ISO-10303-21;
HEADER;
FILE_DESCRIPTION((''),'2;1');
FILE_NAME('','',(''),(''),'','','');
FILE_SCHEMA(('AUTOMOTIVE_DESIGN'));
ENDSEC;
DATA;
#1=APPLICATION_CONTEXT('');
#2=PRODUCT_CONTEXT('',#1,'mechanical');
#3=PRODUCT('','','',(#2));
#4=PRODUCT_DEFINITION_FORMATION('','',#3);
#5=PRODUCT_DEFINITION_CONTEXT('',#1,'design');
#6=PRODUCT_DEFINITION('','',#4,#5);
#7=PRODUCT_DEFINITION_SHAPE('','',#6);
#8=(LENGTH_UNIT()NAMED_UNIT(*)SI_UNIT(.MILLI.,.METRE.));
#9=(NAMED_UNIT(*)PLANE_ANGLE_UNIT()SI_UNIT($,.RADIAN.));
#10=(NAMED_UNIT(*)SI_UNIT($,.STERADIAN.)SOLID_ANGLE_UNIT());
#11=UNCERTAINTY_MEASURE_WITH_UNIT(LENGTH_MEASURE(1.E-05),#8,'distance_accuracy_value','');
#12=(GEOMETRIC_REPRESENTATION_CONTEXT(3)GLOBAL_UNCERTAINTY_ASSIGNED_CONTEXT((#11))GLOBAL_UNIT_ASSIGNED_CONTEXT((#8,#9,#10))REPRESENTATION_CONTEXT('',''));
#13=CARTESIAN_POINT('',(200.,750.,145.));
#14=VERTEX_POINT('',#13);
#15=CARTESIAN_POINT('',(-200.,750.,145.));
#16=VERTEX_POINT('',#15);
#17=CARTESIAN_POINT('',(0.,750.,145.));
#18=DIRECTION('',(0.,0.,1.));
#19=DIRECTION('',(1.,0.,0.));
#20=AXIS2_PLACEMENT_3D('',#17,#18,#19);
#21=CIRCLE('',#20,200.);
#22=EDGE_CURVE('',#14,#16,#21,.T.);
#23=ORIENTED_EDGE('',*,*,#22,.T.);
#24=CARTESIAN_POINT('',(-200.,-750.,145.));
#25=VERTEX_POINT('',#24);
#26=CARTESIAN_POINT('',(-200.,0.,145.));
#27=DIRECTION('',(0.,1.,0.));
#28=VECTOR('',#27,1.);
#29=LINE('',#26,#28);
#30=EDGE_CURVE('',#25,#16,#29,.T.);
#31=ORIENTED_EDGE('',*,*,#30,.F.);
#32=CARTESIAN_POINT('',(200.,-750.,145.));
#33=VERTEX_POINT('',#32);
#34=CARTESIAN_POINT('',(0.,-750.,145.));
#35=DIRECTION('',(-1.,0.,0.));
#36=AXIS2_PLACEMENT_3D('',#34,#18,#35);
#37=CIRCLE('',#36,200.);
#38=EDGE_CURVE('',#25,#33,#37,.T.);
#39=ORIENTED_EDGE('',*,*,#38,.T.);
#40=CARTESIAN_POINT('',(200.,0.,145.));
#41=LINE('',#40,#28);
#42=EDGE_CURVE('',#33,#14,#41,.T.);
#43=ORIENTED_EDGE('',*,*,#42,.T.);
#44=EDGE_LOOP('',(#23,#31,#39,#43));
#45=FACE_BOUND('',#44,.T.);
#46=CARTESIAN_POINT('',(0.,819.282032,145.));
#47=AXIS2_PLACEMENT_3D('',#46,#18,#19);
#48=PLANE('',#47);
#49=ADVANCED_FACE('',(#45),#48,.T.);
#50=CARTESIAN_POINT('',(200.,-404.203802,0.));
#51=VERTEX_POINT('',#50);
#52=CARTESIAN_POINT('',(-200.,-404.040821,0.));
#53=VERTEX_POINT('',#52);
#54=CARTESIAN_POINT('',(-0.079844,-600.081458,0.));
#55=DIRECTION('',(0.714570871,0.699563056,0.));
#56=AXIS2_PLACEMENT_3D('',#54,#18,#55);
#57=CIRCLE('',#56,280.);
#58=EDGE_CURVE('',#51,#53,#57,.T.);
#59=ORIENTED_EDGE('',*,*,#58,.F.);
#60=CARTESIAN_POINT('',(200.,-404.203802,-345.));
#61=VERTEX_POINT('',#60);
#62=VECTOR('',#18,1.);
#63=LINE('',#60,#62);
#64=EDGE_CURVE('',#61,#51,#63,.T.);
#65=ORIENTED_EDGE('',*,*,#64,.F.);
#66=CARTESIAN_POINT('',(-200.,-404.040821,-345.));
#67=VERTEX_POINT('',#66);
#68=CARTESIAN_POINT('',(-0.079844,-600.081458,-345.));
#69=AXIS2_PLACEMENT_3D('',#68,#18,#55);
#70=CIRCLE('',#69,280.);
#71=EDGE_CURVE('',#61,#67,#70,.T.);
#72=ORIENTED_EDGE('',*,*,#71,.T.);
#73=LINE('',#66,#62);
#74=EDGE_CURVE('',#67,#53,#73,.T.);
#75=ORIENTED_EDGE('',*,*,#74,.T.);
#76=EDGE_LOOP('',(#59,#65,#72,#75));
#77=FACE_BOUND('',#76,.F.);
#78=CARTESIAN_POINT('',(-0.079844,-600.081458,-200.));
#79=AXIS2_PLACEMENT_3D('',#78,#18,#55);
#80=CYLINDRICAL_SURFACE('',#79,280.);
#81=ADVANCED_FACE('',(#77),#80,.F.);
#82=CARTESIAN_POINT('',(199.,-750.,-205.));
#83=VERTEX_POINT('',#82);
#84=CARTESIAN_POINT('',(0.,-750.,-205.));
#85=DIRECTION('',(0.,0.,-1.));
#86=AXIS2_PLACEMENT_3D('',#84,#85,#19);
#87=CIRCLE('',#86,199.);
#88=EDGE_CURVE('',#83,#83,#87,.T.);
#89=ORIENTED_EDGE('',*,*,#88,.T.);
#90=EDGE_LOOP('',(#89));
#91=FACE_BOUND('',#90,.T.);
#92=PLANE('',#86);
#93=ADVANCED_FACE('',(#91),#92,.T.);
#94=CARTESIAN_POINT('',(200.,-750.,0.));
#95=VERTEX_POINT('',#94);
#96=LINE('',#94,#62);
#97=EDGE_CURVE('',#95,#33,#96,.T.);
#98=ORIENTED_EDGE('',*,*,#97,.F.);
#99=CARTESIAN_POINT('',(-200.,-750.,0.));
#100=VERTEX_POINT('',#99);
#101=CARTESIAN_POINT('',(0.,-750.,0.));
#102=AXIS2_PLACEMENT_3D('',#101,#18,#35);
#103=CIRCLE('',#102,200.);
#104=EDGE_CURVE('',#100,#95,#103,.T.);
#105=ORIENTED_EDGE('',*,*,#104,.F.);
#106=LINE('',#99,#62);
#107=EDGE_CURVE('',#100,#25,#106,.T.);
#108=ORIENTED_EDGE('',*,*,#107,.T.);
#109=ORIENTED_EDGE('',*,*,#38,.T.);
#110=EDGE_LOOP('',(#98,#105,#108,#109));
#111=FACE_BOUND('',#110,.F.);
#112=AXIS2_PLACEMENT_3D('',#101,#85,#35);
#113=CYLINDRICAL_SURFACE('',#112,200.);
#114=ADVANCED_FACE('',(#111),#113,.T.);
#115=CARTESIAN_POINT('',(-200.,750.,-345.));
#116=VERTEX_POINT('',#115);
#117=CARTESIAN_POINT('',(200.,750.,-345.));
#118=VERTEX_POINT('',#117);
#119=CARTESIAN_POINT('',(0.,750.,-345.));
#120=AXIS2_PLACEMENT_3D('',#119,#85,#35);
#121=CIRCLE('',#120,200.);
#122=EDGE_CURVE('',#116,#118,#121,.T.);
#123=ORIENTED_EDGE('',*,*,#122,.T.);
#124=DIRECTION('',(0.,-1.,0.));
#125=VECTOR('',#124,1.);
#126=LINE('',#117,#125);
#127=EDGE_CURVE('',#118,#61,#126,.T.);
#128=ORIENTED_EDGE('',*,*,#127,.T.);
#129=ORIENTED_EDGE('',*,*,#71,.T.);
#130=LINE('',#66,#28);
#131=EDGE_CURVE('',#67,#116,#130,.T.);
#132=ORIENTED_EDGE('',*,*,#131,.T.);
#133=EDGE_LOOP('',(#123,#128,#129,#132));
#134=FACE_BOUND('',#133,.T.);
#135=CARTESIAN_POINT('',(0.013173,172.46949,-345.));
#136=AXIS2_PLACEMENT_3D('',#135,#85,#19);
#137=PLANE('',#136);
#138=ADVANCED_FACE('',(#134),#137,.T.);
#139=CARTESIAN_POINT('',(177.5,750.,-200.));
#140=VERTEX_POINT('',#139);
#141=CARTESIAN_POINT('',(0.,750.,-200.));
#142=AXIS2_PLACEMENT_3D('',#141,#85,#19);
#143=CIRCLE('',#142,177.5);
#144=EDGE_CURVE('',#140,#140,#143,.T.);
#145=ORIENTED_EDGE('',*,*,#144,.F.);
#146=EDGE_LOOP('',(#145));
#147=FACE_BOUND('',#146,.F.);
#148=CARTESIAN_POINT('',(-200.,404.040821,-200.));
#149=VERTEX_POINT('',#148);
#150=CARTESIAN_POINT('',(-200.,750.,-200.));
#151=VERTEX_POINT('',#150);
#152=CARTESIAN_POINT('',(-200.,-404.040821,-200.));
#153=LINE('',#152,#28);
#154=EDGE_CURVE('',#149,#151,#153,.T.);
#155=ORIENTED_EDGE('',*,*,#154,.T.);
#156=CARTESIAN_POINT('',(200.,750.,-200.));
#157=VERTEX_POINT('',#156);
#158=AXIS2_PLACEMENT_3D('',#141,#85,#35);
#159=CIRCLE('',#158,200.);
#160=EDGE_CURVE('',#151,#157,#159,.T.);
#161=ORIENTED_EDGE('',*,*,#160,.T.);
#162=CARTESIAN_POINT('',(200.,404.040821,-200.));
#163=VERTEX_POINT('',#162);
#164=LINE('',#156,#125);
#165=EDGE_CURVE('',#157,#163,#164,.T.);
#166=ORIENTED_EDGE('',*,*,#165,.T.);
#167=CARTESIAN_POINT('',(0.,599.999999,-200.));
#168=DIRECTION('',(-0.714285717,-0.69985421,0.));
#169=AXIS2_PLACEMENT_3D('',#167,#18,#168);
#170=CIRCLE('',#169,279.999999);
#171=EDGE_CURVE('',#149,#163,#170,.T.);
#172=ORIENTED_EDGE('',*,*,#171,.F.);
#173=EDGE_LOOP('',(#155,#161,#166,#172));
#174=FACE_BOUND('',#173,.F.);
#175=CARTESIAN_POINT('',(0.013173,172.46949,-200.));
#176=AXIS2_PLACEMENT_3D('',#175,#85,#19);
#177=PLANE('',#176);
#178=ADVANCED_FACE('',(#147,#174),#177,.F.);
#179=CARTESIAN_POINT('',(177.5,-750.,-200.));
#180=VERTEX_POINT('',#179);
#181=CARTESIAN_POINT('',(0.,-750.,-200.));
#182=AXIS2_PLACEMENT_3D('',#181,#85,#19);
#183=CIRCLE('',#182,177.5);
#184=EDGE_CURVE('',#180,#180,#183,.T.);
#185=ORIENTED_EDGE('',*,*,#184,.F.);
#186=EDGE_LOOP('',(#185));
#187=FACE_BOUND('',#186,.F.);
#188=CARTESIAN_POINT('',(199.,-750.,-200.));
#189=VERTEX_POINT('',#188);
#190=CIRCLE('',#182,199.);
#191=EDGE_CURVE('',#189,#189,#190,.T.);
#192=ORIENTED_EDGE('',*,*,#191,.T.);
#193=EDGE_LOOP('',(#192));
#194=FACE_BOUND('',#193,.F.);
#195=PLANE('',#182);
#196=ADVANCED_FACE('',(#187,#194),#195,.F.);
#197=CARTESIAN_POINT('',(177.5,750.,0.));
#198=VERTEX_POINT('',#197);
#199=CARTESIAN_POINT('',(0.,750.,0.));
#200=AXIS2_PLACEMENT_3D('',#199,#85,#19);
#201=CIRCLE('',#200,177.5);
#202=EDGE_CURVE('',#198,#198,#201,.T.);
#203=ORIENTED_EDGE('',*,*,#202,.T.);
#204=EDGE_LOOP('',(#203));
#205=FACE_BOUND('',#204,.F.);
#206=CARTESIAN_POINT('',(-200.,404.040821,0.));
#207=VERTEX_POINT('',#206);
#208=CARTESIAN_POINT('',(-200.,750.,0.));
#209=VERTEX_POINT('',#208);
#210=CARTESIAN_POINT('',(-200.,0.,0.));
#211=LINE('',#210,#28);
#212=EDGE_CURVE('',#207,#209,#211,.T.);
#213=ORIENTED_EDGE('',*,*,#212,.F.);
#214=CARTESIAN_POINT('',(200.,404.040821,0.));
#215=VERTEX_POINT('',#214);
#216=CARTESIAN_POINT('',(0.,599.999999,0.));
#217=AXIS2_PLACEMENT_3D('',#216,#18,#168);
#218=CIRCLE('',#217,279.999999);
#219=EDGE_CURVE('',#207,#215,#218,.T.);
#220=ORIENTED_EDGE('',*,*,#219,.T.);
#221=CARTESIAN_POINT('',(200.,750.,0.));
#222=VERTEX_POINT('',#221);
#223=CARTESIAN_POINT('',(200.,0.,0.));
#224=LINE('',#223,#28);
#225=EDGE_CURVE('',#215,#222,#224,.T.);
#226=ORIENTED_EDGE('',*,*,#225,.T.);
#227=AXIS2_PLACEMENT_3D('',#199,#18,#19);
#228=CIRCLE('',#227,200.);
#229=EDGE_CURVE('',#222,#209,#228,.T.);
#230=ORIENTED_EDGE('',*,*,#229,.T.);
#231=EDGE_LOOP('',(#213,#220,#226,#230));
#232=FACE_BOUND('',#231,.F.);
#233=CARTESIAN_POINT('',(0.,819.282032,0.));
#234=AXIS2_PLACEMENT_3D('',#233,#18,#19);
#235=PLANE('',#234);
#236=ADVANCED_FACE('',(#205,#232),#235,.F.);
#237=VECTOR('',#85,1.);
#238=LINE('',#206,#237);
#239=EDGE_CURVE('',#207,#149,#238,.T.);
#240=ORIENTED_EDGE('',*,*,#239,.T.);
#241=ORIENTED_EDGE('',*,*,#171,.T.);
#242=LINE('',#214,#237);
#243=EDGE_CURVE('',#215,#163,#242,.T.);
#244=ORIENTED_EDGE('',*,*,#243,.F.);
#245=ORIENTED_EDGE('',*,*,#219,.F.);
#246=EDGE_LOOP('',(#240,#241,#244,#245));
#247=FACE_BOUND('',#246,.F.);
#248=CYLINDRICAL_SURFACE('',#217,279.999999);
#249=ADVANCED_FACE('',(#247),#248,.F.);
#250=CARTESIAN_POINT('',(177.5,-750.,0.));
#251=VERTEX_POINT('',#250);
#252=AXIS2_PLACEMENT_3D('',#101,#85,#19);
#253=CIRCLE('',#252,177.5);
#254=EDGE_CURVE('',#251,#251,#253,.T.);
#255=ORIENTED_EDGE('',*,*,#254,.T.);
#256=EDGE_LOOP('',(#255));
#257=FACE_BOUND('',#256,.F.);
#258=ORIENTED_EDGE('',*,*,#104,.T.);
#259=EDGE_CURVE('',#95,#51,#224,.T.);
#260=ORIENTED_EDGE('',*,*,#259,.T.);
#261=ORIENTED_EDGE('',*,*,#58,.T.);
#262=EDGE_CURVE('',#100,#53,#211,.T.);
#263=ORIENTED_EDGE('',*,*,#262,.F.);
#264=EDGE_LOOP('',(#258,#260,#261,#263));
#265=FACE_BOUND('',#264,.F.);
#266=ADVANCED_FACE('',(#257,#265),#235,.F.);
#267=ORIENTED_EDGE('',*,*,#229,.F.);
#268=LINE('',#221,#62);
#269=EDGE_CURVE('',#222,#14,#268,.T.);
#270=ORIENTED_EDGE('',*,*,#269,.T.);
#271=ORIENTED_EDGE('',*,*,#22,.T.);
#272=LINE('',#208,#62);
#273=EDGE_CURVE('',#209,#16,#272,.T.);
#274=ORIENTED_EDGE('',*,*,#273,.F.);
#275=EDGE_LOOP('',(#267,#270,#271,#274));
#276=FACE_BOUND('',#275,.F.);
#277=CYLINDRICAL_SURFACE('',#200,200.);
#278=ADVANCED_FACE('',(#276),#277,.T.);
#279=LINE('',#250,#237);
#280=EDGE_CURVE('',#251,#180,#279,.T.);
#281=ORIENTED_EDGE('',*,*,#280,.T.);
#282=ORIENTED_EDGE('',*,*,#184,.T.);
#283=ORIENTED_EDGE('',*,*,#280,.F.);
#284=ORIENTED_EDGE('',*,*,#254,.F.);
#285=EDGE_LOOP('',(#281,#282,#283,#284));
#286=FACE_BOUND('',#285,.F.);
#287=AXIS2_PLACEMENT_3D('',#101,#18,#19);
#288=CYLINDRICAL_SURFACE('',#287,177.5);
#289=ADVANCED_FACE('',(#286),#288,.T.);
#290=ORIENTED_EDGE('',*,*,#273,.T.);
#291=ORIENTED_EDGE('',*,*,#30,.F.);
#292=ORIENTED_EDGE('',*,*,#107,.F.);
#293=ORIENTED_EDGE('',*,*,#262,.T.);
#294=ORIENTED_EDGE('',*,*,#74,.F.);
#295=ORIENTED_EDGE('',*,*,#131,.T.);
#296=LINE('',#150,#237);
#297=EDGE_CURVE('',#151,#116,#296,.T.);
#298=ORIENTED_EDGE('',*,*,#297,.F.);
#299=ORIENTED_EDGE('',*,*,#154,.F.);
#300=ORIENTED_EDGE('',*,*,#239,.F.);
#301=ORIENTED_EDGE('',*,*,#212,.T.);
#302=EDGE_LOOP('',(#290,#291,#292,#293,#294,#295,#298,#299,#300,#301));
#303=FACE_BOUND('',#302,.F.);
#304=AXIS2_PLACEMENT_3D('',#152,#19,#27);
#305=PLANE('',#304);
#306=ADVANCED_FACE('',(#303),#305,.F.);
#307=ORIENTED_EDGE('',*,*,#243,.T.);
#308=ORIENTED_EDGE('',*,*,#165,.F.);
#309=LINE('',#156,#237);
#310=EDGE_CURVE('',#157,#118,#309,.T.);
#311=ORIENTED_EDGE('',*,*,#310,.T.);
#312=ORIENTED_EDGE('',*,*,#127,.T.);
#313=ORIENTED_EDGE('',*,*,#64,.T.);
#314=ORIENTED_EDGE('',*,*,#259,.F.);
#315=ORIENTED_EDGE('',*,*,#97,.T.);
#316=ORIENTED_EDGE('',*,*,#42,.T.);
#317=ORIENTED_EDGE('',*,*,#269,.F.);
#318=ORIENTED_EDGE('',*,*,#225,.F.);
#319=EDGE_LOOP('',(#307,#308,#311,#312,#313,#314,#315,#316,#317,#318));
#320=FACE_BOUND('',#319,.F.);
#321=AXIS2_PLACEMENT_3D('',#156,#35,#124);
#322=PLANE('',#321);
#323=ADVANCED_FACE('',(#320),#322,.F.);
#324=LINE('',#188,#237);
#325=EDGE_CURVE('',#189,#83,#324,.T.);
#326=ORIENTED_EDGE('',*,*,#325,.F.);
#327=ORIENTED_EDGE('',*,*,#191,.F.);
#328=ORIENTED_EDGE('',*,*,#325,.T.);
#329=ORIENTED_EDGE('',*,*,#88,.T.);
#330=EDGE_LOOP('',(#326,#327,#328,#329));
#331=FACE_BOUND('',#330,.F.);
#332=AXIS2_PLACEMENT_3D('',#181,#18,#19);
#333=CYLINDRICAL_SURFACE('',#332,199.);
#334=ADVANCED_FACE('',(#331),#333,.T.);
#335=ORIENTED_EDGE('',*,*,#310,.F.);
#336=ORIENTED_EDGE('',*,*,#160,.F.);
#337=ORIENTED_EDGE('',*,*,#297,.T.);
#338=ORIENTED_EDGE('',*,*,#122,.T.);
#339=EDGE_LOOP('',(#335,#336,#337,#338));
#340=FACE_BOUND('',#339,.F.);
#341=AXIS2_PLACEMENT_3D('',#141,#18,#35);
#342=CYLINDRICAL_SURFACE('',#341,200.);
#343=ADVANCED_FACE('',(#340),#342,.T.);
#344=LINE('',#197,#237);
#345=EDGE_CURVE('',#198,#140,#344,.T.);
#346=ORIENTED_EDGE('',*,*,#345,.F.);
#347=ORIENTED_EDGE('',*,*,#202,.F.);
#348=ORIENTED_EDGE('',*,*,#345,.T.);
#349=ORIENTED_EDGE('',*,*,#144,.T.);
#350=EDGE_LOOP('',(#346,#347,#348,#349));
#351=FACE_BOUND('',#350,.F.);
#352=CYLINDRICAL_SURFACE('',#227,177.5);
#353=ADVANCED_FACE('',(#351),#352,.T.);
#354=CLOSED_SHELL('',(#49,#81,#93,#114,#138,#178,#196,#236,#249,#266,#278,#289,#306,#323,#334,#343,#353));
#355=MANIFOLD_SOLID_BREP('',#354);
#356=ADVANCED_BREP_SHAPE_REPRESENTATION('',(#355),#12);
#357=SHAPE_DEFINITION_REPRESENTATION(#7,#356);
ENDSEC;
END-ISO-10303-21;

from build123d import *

# Parameters (mm, degrees)
F0_W     = 400
F0_H     = 1500
F1_DEPTH = 145
F2_R     = 177.5
F3_DEPTH = 200
F5_DEPTH = 145
F6_R     = 199
F7_DEPTH = 5


with BuildPart() as f1:
    # F0 (on Top) → F1 (new body)
    with BuildSketch(Plane.XY):
        with BuildLine():
            ThreePointArc((200, 750), (0, 950), (-200, 750))
            Line((-200, 750), (200, 750))
        make_face()
        Rectangle(F0_W, F0_H)
        with BuildLine():
            Line((200, -750), (-200, -750))
            ThreePointArc((-200, -750), (0, -950), (200, -750))
        make_face()
    extrude(amount=F1_DEPTH)

    # F2 (on face) → F3 (join)
    with BuildSketch(Plane(origin=(0, 0, 0), x_dir=(1, 0, 0), z_dir=(0, 0, -1))):
        with Locations((0, 750)):
            Circle(F2_R)
        with Locations((0, -750)):
            Circle(F2_R)
        with BuildLine():
            ThreePointArc((200, 404.203802), (0.034243, 320.081481), (-200, 404.040821))
            Line((-200, 404.040821), (-200, -404.040821))
            ThreePointArc((-200, -404.040821), (0, -320), (200, -404.040821))
            Line((200, -404.040821), (200, 404.203802))
        make_face()
    extrude(amount=F3_DEPTH)

    # F4 (on face) → F5 (join)
    with BuildSketch(Plane(origin=(0, 0, -200), x_dir=(1, 0, 0), z_dir=(0, 0, -1))):
        with BuildLine():
            Line((-200, 404.040821), (-200, -750))
            Line((-200, -750), (200, -750))
            Line((200, -750), (200, 404.203802))
            ThreePointArc((200, 404.203802), (0.034243, 320.081481), (-200, 404.040821))
        make_face()
        with BuildLine():
            Line((200, -750), (-200, -750))
            ThreePointArc((-200, -750), (0, -950), (200, -750))
        make_face()
    extrude(amount=F5_DEPTH)

    # F6 (on face) → F7 (join)
    with BuildSketch(Plane(origin=(0, 0, -200), x_dir=(1, 0, 0), z_dir=(0, 0, -1))):
        with Locations((0, 750)):
            Circle(F6_R)
    extrude(amount=F7_DEPTH)


solid = f1.part
